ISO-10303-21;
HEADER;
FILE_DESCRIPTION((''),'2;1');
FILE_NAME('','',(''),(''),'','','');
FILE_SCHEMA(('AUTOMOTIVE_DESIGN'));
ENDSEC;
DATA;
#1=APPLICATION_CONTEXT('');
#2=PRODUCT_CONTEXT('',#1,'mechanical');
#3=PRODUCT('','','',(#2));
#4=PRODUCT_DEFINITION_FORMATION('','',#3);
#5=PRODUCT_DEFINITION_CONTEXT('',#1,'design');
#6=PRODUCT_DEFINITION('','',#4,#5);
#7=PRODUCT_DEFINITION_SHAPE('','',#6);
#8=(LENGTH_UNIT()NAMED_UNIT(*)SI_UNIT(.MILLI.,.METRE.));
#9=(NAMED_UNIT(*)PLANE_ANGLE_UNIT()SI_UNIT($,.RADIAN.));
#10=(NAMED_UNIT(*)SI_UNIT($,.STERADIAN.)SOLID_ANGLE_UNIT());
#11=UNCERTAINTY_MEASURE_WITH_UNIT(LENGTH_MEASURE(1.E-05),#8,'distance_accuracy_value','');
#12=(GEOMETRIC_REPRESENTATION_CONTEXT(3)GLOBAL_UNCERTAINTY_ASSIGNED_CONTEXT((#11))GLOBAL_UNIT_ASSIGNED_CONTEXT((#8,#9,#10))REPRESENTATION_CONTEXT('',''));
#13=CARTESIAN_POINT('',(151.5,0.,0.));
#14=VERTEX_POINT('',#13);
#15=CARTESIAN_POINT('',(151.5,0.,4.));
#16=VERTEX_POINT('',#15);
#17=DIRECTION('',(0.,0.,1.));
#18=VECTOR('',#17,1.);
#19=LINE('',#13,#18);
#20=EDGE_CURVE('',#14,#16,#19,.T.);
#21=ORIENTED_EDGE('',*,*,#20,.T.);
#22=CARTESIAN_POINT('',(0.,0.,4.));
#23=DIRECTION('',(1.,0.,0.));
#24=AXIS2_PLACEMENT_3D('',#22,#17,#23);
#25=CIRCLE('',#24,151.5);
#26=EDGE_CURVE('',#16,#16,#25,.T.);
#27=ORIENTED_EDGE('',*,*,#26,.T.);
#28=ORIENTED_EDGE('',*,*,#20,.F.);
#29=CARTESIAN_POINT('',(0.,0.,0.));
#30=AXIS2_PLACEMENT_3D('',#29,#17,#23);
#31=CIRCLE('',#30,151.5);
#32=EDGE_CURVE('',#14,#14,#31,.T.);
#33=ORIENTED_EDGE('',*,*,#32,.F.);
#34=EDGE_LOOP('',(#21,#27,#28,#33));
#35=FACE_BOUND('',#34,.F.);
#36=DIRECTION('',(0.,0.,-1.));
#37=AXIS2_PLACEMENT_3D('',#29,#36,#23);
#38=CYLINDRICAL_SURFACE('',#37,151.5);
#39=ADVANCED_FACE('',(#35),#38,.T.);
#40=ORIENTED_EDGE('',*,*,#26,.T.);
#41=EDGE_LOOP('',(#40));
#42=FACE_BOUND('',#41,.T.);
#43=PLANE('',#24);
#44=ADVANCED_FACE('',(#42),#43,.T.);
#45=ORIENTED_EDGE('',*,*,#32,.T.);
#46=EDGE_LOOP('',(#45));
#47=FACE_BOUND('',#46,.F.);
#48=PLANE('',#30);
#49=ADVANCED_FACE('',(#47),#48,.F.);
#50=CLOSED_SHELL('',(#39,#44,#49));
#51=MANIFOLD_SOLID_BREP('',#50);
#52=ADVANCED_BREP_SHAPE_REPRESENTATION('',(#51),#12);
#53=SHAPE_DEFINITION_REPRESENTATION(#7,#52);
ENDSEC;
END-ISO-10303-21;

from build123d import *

# Parameters (mm, degrees)
SKETCH_R  = 151.5
PAD_DEPTH = 4


with BuildPart() as part:
    # Sketch (on XY_Plane of Origin) → Pad (new body)
    with BuildSketch(Plane.XY):
        Circle(SKETCH_R)
    extrude(amount=PAD_DEPTH)


solid = part.part
